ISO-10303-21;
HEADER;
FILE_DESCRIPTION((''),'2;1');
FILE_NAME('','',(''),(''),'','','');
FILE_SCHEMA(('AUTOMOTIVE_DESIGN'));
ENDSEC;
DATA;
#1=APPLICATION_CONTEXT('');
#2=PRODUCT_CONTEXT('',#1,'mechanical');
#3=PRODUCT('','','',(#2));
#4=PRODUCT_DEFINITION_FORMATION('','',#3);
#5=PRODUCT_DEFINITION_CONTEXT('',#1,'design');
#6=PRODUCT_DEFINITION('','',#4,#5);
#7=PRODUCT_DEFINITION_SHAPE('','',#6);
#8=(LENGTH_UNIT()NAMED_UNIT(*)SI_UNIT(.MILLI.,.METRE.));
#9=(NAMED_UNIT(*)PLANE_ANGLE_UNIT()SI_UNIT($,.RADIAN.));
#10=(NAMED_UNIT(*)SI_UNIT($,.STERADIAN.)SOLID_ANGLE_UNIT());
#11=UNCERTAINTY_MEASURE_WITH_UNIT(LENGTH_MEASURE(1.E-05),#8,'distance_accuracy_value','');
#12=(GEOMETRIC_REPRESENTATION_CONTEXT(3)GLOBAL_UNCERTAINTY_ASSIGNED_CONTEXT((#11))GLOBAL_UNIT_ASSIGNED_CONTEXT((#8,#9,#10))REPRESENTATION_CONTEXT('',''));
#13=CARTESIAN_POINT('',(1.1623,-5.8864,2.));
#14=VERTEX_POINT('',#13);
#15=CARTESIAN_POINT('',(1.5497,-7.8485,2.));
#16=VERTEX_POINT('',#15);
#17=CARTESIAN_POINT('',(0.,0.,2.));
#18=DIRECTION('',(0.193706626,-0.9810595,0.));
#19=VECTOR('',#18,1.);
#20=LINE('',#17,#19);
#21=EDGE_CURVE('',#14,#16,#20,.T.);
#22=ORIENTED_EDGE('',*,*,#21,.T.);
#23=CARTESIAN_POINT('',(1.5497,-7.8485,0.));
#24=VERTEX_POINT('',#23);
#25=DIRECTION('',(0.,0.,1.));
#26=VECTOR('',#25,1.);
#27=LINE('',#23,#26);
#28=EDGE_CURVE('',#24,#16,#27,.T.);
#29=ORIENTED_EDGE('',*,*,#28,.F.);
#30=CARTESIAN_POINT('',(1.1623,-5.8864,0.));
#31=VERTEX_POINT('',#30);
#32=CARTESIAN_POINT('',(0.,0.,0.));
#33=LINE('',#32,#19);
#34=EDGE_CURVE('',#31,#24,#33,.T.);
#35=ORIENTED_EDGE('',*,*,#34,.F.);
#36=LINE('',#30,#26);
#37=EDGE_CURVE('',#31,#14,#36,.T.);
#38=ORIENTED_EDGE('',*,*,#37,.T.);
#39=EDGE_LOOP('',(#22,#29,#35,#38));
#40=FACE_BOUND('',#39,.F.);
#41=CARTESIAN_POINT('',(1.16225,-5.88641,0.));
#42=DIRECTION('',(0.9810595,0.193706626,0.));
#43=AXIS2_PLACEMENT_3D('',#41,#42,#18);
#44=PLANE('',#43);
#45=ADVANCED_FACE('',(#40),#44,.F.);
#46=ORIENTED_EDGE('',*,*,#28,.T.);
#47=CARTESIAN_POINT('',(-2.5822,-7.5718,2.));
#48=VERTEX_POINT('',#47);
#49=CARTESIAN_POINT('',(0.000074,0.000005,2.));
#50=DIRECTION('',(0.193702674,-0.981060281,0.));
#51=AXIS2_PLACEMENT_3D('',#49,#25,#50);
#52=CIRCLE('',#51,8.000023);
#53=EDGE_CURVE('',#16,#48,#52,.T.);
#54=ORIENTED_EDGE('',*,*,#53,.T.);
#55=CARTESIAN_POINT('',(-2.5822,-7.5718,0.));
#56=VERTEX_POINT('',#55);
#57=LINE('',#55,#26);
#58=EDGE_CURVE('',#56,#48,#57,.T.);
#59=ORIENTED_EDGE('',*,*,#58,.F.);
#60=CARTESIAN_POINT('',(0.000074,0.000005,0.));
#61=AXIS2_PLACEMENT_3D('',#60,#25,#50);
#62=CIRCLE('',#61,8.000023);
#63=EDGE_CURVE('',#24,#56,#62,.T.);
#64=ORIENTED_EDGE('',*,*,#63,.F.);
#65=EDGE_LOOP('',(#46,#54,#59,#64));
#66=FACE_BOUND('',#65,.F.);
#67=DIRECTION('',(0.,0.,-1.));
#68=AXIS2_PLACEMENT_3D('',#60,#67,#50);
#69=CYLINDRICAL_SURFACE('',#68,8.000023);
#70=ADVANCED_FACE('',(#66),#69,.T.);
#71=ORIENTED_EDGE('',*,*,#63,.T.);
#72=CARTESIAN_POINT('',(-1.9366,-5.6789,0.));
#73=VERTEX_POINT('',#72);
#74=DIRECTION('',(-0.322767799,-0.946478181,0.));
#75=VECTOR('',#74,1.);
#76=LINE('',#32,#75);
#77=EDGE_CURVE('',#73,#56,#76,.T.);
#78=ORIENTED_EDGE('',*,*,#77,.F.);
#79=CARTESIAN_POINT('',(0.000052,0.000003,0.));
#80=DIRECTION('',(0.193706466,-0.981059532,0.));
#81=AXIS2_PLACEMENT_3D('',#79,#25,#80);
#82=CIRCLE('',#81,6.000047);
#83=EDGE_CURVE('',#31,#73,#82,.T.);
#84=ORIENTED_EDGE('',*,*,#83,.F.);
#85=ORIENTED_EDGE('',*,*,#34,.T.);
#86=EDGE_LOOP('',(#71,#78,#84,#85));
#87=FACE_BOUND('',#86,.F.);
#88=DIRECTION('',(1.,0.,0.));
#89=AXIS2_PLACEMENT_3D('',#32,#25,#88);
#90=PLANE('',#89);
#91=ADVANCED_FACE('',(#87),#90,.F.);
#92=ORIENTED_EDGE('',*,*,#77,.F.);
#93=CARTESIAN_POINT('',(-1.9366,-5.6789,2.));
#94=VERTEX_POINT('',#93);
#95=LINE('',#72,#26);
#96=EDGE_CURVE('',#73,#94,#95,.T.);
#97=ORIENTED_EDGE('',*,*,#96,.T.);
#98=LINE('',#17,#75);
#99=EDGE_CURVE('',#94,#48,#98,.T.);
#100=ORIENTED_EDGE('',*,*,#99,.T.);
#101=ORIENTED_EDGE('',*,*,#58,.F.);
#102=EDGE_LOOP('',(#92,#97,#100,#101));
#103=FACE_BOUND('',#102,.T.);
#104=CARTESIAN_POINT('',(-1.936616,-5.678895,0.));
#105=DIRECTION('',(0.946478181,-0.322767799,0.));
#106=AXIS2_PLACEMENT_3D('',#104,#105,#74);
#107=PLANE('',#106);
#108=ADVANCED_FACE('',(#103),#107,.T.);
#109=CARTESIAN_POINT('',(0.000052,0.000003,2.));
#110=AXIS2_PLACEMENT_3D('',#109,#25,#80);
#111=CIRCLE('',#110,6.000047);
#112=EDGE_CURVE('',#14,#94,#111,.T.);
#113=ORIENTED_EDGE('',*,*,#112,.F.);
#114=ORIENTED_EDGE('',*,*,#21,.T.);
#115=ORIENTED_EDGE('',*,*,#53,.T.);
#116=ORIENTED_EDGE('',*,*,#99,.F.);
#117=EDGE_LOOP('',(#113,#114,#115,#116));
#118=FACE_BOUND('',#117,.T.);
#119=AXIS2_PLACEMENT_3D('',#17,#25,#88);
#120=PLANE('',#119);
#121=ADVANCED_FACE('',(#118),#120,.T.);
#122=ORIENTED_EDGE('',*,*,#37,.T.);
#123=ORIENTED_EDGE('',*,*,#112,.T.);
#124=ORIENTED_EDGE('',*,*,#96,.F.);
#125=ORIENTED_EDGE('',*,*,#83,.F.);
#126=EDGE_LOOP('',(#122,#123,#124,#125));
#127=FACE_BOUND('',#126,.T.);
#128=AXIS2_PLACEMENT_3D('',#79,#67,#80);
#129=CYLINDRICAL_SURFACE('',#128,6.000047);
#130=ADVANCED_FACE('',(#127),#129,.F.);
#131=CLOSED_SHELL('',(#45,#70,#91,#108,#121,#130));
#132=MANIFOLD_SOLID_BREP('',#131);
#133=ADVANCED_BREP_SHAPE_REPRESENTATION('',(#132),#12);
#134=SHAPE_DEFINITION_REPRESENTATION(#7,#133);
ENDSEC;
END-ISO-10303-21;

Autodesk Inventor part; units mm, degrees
ref_plane "YZ Plane" through (0, 0, 0) normal (1, 0, 0) x (0, 1, 0)
ref_plane "XZ Plane" through (0, 0, 0) normal (0, 1, 0) x (-1, 0, 0)
ref_plane "XY Plane" through (0, 0, 0) normal (0, 0, 1) x (1, 0, 0)
sketch "Sketch1" plane through (0, 0, 0) normal (0, 0, 1) x (1, 0, 0)
  arc A0 (1.1623, -5.8864) -> (-1.9366, -5.6789) centre (0, 0) ccw
  line L0 (0, 0) -> (-2.7093, -7.9447)
  line L1 (0, 0) -> (1.6067, -8.1374)
  arc A1 (1.5497, -7.8485) -> (-2.5822, -7.5718) centre (0, 0) ccw
  line L2 (-1.9366, -5.6789) -> (-2.5822, -7.5718)
  line L3 (1.1623, -5.8864) -> (1.5497, -7.8485)
  point P0 (1.5497, -7.8485)
  point P1 (-2.5822, -7.5718)
  dimension "d0" = 12
  dimension "d1" = 30
  dimension "d2" = 2
extrude "Extrusion1" add sketch "Sketch1" along normal blind 2 contours A0 L0 A1 L1
properties part number "Cring1"
